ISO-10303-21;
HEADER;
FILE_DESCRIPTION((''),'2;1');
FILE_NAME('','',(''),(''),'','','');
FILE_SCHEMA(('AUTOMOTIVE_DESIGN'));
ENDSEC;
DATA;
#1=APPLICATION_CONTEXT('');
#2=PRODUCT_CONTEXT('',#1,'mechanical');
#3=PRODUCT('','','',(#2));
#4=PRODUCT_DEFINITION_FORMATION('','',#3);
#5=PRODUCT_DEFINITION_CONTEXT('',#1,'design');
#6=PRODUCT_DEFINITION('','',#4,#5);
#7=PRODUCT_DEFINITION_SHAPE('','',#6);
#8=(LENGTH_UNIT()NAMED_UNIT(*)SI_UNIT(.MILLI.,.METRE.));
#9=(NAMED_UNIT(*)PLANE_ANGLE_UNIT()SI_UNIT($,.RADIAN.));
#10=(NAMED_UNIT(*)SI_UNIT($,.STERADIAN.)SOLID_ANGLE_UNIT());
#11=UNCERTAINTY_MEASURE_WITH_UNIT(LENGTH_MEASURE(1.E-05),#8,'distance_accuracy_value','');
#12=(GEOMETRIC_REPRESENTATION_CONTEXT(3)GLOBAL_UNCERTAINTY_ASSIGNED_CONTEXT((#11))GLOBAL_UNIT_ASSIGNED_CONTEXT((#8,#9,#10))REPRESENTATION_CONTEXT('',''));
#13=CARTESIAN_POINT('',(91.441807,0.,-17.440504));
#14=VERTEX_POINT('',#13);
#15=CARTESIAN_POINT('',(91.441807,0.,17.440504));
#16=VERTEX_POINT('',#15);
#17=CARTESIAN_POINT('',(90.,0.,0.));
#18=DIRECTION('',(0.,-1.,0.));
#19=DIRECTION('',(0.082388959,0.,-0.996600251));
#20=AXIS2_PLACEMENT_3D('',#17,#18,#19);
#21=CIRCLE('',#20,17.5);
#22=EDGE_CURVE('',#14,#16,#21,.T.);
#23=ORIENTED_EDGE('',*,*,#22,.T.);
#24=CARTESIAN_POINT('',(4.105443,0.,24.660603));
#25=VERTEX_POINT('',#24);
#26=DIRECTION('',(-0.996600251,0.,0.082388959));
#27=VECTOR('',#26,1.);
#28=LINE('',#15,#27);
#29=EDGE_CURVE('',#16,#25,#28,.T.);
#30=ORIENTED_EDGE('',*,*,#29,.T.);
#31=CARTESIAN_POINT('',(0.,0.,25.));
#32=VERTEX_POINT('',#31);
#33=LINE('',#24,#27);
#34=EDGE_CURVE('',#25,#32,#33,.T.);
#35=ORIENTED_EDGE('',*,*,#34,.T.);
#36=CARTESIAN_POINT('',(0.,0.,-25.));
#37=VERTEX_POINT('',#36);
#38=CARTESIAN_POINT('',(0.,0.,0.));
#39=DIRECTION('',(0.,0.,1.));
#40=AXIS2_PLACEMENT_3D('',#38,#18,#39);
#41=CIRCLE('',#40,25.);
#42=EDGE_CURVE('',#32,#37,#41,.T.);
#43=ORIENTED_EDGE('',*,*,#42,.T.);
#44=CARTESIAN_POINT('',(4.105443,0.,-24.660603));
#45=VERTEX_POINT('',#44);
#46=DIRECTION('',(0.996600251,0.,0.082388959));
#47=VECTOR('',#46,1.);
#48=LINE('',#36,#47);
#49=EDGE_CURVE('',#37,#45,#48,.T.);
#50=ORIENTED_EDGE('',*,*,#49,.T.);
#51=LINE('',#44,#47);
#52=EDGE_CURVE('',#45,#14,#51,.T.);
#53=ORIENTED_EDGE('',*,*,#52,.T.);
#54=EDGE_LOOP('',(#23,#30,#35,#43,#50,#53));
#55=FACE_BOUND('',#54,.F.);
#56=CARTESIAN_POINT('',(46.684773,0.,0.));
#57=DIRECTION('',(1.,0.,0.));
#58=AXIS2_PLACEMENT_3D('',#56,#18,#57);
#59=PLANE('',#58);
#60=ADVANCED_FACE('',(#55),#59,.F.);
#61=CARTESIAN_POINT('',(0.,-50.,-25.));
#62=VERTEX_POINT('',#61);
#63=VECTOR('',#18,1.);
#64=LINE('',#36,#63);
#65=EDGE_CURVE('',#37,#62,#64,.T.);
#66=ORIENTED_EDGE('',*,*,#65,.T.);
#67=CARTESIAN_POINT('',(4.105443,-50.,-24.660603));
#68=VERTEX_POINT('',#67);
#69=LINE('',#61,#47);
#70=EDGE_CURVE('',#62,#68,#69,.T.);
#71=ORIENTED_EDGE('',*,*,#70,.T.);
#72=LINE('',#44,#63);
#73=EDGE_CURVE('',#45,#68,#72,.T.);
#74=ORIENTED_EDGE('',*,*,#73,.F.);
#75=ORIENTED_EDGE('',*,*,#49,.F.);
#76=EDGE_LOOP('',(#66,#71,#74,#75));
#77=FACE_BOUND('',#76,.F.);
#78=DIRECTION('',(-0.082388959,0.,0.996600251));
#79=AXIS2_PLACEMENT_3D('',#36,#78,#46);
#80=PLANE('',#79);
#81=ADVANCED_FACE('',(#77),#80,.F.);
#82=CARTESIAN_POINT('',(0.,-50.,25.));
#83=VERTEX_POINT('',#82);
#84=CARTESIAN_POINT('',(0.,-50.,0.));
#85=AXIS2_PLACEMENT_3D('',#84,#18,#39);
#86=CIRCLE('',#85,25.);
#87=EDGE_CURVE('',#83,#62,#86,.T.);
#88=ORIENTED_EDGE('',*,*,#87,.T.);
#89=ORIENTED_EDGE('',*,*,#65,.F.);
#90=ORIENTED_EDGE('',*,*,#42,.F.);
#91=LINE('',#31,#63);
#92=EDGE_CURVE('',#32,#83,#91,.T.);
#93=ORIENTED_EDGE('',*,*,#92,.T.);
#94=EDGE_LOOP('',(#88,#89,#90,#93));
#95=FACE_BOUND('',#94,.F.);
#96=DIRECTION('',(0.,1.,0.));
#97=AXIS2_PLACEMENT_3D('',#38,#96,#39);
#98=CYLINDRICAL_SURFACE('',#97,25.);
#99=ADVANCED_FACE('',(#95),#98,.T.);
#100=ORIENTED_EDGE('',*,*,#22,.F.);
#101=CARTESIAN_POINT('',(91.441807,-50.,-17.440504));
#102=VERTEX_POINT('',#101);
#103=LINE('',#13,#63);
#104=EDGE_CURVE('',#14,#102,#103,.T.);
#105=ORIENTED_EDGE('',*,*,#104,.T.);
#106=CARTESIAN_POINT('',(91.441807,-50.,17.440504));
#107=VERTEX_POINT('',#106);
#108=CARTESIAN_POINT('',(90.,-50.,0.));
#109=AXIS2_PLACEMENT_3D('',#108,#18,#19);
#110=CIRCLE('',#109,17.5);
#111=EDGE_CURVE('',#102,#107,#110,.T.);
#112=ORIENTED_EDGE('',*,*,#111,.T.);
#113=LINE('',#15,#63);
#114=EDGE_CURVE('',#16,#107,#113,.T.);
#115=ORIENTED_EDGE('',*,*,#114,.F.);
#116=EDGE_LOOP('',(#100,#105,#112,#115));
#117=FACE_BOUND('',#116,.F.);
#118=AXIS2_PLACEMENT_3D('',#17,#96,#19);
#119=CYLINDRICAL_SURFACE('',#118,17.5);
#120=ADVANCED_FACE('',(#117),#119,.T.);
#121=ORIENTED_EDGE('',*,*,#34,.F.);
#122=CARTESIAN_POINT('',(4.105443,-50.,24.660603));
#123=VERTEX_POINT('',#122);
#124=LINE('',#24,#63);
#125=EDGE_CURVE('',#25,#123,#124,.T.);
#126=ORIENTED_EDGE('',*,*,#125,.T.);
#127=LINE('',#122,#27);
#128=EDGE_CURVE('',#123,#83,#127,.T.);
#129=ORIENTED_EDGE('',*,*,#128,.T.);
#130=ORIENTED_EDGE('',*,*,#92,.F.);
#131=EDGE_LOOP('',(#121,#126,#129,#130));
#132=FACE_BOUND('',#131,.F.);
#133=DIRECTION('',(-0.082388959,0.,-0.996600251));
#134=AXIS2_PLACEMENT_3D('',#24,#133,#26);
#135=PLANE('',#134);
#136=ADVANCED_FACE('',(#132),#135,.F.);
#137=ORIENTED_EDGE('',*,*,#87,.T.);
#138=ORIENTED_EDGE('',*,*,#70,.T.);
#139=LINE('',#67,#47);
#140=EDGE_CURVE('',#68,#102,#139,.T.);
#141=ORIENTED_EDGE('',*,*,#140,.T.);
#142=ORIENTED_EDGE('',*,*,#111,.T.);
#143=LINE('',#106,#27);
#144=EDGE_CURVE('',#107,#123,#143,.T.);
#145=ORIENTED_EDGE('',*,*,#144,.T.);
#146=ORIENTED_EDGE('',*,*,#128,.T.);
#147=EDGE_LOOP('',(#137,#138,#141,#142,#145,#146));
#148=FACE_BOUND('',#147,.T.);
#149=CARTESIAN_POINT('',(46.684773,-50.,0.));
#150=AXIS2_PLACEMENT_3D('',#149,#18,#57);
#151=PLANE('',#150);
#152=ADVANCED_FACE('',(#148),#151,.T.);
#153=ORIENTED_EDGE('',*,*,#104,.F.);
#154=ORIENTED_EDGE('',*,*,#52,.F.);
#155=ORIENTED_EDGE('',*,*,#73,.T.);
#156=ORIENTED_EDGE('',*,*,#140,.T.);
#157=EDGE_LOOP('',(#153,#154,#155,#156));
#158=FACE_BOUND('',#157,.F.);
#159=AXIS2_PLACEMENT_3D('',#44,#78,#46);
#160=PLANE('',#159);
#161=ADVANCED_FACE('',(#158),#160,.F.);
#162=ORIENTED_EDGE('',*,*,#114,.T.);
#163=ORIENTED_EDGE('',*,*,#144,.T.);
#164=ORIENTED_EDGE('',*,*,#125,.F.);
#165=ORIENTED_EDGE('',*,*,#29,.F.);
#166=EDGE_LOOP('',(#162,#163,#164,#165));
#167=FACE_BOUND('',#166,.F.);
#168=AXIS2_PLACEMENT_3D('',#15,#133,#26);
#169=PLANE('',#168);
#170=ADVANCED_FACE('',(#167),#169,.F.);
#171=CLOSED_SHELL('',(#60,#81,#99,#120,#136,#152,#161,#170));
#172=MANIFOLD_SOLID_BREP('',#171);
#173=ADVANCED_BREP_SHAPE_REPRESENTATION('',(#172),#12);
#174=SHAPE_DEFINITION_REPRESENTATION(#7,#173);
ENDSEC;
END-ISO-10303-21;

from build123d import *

# Parameters (mm, degrees)
F1_DEPTH = 50


with BuildPart() as f1:
    # F0 (on Front) → F1 (new body)
    with BuildSketch(Plane.XZ):
        with BuildLine():
            Line((91.4418067738, 17.4405043857), (4.1054428346, 24.6606029758))
            ThreePointArc((4.1054428346, 24.6606029758), (19.0740146648, 16.1611251022), (25, 0))
            ThreePointArc((25, 0), (19.0740146648, -16.1611251022), (4.1054428346, -24.6606029758))
            Line((4.1054428346, -24.6606029758), (91.4418067738, -17.4405043857))
            ThreePointArc((91.4418067738, -17.4405043857), (72.5, 0), (91.4418067738, 17.4405043857))
        make_face()
        with BuildLine():
            Line((4.1054428346, 24.6606029758), (0, 25))
            ThreePointArc((0, 25), (-25, 0), (0, -25))
            Line((0, -25), (4.1054428346, -24.6606029758))
            ThreePointArc((4.1054428346, -24.6606029758), (19.0740146648, -16.1611251022), (25, 0))
            ThreePointArc((25, 0), (19.0740146648, 16.1611251022), (4.1054428346, 24.6606029758))
        make_face()
        with BuildLine():
            ThreePointArc((107.5, 0), (102.8740362463, 11.8536572723), (91.4418067738, 17.4405043857))
            ThreePointArc((91.4418067738, 17.4405043857), (72.5, 0), (91.4418067738, -17.4405043857))
            ThreePointArc((91.4418067738, -17.4405043857), (102.8740362463, -11.8536572723), (107.5, 0))
        make_face()
    extrude(amount=F1_DEPTH)


solid = f1.part
